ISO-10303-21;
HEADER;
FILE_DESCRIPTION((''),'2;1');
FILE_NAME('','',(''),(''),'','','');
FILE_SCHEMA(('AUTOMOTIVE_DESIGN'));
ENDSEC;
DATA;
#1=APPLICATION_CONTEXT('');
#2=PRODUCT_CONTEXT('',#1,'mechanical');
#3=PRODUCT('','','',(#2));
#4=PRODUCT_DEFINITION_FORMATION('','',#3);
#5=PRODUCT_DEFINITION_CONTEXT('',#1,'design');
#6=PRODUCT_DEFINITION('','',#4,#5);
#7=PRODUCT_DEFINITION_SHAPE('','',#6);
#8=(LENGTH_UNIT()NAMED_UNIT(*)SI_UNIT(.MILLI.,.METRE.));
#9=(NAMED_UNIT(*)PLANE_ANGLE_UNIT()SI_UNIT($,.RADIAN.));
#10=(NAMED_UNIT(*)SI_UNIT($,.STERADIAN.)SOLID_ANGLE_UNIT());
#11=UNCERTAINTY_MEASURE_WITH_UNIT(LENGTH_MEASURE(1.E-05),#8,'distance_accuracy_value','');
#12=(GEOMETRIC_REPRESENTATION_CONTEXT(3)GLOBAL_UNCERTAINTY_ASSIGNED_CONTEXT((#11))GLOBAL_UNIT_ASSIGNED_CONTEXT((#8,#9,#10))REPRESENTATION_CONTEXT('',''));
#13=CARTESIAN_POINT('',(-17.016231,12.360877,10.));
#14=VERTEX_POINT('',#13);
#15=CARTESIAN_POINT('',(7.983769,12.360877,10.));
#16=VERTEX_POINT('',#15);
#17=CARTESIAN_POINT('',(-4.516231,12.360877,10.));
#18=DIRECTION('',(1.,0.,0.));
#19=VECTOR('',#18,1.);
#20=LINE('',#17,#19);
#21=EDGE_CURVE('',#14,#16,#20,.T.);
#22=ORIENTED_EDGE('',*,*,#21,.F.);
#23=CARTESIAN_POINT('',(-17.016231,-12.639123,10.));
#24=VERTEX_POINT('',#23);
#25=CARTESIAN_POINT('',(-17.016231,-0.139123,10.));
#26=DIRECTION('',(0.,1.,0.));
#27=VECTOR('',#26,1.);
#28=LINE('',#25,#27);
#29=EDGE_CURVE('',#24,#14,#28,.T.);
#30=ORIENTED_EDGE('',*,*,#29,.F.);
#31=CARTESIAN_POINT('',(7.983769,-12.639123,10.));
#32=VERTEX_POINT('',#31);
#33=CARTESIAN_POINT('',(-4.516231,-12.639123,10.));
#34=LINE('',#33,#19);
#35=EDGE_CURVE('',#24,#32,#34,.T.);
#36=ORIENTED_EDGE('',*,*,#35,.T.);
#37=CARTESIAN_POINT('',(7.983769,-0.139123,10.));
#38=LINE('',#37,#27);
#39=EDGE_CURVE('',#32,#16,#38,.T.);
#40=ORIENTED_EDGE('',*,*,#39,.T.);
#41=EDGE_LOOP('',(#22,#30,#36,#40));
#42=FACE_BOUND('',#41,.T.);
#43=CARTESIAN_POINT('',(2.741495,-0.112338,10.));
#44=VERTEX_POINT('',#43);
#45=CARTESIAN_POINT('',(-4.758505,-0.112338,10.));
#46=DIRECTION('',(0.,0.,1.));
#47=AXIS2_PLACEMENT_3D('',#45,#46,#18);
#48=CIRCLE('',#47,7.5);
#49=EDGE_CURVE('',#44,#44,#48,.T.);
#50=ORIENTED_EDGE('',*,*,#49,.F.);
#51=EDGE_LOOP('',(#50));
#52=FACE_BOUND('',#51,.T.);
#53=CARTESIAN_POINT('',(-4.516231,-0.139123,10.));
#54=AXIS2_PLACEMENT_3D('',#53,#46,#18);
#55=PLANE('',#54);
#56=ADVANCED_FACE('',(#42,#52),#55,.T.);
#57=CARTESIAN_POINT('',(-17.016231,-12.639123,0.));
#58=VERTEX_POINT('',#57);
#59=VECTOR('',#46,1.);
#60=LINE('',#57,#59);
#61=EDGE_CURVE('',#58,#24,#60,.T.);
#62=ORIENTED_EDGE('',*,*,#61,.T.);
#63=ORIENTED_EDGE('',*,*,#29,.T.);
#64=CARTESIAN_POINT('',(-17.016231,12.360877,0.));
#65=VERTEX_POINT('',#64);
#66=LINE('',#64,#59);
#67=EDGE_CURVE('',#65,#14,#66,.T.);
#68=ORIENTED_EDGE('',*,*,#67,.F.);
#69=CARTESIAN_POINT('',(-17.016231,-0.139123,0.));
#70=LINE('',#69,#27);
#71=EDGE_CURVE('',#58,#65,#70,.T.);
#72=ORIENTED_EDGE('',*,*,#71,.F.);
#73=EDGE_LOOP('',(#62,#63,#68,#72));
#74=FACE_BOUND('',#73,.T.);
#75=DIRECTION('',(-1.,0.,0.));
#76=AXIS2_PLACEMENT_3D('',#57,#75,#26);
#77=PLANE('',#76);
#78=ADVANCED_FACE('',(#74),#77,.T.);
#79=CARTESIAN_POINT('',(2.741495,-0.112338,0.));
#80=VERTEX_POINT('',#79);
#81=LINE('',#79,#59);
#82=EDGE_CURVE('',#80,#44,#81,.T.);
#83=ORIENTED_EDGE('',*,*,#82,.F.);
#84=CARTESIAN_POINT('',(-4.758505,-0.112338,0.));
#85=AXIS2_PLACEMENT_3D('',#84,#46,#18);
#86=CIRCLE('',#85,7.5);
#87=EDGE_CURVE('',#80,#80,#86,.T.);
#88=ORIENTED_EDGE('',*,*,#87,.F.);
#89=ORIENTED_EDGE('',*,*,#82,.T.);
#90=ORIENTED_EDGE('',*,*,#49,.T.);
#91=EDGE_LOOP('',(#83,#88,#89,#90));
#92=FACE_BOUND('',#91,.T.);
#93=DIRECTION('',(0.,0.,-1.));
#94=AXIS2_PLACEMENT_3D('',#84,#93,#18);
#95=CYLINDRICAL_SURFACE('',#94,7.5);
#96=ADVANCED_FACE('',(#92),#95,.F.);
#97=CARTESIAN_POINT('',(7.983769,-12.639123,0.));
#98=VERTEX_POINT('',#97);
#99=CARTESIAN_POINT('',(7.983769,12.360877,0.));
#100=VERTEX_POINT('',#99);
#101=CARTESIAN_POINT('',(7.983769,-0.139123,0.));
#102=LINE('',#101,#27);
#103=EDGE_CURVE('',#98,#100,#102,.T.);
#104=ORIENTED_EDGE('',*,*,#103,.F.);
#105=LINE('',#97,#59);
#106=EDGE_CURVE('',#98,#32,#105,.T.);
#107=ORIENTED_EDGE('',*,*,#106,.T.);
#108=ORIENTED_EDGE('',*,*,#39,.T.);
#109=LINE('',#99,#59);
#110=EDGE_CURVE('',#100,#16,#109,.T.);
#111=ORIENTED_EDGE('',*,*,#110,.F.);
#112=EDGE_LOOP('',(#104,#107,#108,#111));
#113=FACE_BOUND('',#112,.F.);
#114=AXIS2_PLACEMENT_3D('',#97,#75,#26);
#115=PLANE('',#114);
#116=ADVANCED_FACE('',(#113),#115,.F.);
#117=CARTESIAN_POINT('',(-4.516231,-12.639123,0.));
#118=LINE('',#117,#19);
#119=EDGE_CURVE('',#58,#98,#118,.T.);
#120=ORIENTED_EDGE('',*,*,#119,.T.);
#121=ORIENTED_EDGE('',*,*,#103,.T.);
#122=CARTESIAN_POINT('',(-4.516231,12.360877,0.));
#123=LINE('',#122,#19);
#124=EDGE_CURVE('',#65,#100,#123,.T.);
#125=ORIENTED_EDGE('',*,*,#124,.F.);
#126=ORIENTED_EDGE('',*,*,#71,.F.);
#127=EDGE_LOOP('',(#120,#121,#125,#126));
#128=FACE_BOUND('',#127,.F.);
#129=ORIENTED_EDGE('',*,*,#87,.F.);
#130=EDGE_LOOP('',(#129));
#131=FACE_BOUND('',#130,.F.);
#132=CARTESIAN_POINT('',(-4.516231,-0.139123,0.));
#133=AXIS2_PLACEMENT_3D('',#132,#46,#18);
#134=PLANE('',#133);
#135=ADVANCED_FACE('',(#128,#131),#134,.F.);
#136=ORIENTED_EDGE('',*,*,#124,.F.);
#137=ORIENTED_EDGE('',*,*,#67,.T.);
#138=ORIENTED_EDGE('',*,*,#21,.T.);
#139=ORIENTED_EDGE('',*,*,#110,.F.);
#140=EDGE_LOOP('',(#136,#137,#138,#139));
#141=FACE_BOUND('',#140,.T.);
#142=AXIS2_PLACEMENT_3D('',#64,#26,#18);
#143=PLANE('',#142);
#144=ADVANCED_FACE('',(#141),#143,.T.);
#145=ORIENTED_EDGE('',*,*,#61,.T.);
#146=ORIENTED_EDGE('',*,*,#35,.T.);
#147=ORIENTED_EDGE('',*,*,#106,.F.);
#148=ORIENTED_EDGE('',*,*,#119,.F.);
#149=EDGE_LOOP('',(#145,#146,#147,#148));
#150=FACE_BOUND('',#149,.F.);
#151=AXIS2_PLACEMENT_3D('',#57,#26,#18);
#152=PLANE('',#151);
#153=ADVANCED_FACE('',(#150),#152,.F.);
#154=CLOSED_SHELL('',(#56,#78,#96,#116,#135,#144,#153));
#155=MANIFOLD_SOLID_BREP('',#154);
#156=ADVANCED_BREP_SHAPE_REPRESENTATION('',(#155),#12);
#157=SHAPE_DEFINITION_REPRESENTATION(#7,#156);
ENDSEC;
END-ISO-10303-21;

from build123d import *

# Parameters (mm, degrees)
F1_W     = 25
F1_H     = 25
F1_R     = 7.5
F2_DEPTH = 10


with BuildPart() as f2:
    # F1 (on face) → F2 (new body)
    with BuildSketch(Plane.XY):
        with Locations((-4.516231, -0.139123)):
            Rectangle(F1_W, F1_H)
        with Locations((-4.758505, -0.112338)):
            Circle(F1_R, mode=Mode.SUBTRACT)
    extrude(amount=F2_DEPTH)


solid = f2.part
